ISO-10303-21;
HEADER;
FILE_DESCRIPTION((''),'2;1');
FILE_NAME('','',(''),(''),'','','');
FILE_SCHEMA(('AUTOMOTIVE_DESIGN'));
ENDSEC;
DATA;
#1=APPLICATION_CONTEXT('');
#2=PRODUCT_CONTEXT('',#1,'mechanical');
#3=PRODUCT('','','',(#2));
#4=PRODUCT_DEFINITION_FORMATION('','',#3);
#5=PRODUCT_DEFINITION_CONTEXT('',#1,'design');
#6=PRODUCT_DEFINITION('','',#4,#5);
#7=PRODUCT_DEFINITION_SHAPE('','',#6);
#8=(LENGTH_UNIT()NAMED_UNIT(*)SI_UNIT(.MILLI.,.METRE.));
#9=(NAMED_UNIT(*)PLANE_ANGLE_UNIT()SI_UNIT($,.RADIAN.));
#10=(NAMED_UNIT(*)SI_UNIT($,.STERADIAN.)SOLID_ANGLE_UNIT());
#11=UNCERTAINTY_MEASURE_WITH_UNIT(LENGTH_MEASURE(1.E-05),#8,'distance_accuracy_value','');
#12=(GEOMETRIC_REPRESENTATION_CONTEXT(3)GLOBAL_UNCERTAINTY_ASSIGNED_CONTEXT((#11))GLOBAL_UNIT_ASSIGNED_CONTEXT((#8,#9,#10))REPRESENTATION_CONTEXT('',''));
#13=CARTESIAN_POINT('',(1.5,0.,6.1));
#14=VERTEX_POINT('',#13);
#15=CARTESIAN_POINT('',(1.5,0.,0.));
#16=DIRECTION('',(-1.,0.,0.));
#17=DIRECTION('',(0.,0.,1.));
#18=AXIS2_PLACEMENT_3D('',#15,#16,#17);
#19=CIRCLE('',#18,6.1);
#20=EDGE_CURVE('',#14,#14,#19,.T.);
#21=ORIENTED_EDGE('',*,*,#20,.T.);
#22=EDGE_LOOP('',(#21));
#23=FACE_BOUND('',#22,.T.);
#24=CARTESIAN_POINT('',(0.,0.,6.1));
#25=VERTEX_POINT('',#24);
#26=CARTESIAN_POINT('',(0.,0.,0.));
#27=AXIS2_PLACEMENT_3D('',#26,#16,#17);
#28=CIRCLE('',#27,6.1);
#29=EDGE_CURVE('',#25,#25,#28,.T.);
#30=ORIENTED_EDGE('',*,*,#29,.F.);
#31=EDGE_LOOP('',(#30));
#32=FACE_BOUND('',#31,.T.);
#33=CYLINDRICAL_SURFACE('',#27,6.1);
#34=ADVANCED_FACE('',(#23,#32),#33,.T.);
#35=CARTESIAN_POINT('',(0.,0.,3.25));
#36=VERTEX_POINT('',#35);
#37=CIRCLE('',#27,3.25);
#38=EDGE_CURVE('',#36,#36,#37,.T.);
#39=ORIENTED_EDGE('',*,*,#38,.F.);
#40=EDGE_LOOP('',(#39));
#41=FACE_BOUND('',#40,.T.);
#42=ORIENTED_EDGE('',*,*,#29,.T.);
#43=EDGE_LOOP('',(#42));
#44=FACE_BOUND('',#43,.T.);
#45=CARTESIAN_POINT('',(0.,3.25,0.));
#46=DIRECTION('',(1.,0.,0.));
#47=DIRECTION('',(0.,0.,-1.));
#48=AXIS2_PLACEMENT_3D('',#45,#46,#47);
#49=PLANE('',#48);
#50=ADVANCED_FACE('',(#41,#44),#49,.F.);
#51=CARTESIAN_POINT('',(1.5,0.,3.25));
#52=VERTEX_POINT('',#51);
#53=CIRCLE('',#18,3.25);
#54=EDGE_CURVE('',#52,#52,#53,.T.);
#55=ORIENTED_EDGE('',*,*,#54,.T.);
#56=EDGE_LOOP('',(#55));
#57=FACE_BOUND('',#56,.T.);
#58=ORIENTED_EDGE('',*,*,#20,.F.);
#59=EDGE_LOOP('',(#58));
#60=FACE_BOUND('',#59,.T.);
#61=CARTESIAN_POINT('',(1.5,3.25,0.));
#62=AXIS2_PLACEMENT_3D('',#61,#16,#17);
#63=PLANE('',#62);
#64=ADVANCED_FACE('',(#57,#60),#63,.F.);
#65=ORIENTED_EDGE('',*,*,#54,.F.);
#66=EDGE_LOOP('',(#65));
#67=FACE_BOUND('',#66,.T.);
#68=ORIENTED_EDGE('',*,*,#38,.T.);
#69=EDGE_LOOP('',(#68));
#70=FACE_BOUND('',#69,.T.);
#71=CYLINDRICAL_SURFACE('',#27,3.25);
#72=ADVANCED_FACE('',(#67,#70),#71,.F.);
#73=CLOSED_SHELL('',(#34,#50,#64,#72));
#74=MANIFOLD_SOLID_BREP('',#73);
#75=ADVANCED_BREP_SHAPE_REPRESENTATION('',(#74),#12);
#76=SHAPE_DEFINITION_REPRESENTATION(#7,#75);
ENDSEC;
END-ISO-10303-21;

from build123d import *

# Parameters (mm, degrees)
SKETCH1_W = 1.5
SKETCH1_H = 2.85


with BuildPart() as part:
    # Sketch1 → Revolve1 (revolve)
    with BuildSketch(Plane.XY, mode=Mode.PRIVATE) as revolve1_sk:
        with Locations((0.75, 4.675)):
            Rectangle(SKETCH1_W, SKETCH1_H)
    revolve(revolve1_sk.sketch.rotate(Axis((0, 0, 0), (1, 0, 0)), 90), axis=Axis((0, 0, 0), (1, 0, 0)))


solid = part.part
